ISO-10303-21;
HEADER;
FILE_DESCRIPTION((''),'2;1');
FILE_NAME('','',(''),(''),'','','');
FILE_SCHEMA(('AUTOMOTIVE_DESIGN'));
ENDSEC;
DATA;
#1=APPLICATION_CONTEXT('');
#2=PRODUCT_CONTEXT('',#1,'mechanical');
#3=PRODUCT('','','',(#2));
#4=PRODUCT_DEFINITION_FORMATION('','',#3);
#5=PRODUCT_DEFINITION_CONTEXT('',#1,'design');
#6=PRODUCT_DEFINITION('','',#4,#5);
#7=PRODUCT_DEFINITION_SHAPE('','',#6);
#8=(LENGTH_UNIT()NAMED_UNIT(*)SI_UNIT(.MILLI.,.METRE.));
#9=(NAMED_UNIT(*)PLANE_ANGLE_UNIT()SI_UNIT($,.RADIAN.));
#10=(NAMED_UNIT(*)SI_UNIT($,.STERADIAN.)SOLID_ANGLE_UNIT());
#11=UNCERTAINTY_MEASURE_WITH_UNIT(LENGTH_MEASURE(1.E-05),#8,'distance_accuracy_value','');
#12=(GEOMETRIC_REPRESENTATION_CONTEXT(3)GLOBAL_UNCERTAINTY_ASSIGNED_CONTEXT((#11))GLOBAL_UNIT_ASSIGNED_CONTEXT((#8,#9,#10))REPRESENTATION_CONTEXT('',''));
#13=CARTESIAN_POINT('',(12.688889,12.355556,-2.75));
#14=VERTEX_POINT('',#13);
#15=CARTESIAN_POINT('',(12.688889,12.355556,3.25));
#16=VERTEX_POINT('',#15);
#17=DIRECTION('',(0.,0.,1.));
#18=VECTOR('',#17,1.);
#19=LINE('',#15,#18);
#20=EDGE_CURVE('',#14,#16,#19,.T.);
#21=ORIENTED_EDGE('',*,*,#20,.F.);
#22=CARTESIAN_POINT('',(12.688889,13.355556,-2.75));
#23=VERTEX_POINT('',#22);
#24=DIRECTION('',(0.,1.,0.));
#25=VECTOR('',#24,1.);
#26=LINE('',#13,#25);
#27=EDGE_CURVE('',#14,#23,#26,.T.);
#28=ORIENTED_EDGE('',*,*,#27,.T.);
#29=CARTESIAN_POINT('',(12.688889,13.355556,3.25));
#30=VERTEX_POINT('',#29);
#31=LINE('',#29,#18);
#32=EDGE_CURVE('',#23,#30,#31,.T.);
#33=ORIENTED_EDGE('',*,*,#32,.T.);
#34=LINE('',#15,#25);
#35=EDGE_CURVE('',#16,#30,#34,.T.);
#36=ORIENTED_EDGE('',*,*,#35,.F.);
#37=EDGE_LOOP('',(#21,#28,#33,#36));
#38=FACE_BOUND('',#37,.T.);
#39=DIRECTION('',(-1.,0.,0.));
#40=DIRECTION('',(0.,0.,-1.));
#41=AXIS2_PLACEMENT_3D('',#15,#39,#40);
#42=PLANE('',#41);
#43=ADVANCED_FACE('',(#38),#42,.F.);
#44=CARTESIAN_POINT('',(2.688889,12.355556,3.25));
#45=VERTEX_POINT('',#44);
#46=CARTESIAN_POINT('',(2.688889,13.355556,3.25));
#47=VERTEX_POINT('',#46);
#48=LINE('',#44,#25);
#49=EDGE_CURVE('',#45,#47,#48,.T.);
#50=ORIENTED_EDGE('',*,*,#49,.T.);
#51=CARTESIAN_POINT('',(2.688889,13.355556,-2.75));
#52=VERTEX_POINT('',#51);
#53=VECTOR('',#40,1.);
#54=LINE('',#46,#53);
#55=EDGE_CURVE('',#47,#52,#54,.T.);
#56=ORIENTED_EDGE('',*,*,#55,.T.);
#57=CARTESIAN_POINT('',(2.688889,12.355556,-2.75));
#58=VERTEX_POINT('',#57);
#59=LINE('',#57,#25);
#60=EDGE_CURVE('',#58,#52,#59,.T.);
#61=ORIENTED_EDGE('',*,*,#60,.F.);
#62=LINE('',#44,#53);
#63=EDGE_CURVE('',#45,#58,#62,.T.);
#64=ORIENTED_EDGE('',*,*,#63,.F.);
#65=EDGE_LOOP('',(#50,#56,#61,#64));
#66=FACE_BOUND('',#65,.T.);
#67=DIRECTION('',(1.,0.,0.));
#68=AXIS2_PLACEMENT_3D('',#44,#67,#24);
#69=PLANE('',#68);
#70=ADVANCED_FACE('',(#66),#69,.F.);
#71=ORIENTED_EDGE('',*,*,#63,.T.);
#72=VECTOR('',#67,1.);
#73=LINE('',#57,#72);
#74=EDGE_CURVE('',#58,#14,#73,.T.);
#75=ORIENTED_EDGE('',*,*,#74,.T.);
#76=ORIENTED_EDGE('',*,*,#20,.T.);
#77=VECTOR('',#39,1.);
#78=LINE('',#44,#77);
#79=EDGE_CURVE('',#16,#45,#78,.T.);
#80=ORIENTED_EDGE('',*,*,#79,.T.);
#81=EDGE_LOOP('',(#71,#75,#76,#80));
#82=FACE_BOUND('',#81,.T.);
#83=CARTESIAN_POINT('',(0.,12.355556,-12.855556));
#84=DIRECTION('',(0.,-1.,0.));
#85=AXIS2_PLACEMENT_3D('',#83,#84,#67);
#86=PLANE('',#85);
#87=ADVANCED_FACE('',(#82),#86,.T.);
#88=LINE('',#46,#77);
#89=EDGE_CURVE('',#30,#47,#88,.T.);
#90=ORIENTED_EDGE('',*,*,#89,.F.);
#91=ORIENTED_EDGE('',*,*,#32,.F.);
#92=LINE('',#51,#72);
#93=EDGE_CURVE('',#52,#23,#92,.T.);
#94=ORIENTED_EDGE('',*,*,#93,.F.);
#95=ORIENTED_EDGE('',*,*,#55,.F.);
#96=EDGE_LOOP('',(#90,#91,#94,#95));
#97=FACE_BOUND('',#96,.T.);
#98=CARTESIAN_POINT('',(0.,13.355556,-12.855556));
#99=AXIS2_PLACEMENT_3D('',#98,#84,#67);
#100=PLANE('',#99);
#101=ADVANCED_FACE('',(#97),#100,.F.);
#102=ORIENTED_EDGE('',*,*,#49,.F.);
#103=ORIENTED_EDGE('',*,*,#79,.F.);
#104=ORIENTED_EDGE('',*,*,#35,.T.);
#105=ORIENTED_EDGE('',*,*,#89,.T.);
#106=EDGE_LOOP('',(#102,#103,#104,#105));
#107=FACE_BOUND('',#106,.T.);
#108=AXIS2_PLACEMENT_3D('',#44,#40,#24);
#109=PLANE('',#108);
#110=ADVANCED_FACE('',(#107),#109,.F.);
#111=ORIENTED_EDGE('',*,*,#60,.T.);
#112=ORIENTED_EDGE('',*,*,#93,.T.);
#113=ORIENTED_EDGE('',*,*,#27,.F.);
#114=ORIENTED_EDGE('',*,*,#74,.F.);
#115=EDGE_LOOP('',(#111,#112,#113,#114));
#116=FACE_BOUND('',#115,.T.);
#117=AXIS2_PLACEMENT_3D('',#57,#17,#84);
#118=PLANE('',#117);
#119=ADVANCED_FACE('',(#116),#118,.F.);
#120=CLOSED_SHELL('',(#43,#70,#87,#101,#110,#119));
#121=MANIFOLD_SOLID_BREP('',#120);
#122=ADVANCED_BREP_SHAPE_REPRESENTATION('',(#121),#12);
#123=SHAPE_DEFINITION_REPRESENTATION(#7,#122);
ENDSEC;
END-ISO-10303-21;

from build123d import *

# Parameters (mm, degrees)
SKETCH1_W             = 10
SKETCH1_H             = 6
BOSS_EXTRUDE1_DEPTH   = 1
BODY_MOVE_COPY1_ANGLE = 90


with BuildPart() as part:
    # Sketch1 → Boss-Extrude1 (new body)
    with BuildSketch(Plane.XY):
        with Locations((7.688888889, 13.105555556)):
            Rectangle(SKETCH1_W, SKETCH1_H)
    extrude(amount=BOSS_EXTRUDE1_DEPTH)


with BuildPart() as part_1:
    # Body-Move/Copy1: moved
    add(part.part.rotate(Axis((0, 13.105555556, 0.25), (1, 0, 0)), BODY_MOVE_COPY1_ANGLE))


solid = part_1.part
